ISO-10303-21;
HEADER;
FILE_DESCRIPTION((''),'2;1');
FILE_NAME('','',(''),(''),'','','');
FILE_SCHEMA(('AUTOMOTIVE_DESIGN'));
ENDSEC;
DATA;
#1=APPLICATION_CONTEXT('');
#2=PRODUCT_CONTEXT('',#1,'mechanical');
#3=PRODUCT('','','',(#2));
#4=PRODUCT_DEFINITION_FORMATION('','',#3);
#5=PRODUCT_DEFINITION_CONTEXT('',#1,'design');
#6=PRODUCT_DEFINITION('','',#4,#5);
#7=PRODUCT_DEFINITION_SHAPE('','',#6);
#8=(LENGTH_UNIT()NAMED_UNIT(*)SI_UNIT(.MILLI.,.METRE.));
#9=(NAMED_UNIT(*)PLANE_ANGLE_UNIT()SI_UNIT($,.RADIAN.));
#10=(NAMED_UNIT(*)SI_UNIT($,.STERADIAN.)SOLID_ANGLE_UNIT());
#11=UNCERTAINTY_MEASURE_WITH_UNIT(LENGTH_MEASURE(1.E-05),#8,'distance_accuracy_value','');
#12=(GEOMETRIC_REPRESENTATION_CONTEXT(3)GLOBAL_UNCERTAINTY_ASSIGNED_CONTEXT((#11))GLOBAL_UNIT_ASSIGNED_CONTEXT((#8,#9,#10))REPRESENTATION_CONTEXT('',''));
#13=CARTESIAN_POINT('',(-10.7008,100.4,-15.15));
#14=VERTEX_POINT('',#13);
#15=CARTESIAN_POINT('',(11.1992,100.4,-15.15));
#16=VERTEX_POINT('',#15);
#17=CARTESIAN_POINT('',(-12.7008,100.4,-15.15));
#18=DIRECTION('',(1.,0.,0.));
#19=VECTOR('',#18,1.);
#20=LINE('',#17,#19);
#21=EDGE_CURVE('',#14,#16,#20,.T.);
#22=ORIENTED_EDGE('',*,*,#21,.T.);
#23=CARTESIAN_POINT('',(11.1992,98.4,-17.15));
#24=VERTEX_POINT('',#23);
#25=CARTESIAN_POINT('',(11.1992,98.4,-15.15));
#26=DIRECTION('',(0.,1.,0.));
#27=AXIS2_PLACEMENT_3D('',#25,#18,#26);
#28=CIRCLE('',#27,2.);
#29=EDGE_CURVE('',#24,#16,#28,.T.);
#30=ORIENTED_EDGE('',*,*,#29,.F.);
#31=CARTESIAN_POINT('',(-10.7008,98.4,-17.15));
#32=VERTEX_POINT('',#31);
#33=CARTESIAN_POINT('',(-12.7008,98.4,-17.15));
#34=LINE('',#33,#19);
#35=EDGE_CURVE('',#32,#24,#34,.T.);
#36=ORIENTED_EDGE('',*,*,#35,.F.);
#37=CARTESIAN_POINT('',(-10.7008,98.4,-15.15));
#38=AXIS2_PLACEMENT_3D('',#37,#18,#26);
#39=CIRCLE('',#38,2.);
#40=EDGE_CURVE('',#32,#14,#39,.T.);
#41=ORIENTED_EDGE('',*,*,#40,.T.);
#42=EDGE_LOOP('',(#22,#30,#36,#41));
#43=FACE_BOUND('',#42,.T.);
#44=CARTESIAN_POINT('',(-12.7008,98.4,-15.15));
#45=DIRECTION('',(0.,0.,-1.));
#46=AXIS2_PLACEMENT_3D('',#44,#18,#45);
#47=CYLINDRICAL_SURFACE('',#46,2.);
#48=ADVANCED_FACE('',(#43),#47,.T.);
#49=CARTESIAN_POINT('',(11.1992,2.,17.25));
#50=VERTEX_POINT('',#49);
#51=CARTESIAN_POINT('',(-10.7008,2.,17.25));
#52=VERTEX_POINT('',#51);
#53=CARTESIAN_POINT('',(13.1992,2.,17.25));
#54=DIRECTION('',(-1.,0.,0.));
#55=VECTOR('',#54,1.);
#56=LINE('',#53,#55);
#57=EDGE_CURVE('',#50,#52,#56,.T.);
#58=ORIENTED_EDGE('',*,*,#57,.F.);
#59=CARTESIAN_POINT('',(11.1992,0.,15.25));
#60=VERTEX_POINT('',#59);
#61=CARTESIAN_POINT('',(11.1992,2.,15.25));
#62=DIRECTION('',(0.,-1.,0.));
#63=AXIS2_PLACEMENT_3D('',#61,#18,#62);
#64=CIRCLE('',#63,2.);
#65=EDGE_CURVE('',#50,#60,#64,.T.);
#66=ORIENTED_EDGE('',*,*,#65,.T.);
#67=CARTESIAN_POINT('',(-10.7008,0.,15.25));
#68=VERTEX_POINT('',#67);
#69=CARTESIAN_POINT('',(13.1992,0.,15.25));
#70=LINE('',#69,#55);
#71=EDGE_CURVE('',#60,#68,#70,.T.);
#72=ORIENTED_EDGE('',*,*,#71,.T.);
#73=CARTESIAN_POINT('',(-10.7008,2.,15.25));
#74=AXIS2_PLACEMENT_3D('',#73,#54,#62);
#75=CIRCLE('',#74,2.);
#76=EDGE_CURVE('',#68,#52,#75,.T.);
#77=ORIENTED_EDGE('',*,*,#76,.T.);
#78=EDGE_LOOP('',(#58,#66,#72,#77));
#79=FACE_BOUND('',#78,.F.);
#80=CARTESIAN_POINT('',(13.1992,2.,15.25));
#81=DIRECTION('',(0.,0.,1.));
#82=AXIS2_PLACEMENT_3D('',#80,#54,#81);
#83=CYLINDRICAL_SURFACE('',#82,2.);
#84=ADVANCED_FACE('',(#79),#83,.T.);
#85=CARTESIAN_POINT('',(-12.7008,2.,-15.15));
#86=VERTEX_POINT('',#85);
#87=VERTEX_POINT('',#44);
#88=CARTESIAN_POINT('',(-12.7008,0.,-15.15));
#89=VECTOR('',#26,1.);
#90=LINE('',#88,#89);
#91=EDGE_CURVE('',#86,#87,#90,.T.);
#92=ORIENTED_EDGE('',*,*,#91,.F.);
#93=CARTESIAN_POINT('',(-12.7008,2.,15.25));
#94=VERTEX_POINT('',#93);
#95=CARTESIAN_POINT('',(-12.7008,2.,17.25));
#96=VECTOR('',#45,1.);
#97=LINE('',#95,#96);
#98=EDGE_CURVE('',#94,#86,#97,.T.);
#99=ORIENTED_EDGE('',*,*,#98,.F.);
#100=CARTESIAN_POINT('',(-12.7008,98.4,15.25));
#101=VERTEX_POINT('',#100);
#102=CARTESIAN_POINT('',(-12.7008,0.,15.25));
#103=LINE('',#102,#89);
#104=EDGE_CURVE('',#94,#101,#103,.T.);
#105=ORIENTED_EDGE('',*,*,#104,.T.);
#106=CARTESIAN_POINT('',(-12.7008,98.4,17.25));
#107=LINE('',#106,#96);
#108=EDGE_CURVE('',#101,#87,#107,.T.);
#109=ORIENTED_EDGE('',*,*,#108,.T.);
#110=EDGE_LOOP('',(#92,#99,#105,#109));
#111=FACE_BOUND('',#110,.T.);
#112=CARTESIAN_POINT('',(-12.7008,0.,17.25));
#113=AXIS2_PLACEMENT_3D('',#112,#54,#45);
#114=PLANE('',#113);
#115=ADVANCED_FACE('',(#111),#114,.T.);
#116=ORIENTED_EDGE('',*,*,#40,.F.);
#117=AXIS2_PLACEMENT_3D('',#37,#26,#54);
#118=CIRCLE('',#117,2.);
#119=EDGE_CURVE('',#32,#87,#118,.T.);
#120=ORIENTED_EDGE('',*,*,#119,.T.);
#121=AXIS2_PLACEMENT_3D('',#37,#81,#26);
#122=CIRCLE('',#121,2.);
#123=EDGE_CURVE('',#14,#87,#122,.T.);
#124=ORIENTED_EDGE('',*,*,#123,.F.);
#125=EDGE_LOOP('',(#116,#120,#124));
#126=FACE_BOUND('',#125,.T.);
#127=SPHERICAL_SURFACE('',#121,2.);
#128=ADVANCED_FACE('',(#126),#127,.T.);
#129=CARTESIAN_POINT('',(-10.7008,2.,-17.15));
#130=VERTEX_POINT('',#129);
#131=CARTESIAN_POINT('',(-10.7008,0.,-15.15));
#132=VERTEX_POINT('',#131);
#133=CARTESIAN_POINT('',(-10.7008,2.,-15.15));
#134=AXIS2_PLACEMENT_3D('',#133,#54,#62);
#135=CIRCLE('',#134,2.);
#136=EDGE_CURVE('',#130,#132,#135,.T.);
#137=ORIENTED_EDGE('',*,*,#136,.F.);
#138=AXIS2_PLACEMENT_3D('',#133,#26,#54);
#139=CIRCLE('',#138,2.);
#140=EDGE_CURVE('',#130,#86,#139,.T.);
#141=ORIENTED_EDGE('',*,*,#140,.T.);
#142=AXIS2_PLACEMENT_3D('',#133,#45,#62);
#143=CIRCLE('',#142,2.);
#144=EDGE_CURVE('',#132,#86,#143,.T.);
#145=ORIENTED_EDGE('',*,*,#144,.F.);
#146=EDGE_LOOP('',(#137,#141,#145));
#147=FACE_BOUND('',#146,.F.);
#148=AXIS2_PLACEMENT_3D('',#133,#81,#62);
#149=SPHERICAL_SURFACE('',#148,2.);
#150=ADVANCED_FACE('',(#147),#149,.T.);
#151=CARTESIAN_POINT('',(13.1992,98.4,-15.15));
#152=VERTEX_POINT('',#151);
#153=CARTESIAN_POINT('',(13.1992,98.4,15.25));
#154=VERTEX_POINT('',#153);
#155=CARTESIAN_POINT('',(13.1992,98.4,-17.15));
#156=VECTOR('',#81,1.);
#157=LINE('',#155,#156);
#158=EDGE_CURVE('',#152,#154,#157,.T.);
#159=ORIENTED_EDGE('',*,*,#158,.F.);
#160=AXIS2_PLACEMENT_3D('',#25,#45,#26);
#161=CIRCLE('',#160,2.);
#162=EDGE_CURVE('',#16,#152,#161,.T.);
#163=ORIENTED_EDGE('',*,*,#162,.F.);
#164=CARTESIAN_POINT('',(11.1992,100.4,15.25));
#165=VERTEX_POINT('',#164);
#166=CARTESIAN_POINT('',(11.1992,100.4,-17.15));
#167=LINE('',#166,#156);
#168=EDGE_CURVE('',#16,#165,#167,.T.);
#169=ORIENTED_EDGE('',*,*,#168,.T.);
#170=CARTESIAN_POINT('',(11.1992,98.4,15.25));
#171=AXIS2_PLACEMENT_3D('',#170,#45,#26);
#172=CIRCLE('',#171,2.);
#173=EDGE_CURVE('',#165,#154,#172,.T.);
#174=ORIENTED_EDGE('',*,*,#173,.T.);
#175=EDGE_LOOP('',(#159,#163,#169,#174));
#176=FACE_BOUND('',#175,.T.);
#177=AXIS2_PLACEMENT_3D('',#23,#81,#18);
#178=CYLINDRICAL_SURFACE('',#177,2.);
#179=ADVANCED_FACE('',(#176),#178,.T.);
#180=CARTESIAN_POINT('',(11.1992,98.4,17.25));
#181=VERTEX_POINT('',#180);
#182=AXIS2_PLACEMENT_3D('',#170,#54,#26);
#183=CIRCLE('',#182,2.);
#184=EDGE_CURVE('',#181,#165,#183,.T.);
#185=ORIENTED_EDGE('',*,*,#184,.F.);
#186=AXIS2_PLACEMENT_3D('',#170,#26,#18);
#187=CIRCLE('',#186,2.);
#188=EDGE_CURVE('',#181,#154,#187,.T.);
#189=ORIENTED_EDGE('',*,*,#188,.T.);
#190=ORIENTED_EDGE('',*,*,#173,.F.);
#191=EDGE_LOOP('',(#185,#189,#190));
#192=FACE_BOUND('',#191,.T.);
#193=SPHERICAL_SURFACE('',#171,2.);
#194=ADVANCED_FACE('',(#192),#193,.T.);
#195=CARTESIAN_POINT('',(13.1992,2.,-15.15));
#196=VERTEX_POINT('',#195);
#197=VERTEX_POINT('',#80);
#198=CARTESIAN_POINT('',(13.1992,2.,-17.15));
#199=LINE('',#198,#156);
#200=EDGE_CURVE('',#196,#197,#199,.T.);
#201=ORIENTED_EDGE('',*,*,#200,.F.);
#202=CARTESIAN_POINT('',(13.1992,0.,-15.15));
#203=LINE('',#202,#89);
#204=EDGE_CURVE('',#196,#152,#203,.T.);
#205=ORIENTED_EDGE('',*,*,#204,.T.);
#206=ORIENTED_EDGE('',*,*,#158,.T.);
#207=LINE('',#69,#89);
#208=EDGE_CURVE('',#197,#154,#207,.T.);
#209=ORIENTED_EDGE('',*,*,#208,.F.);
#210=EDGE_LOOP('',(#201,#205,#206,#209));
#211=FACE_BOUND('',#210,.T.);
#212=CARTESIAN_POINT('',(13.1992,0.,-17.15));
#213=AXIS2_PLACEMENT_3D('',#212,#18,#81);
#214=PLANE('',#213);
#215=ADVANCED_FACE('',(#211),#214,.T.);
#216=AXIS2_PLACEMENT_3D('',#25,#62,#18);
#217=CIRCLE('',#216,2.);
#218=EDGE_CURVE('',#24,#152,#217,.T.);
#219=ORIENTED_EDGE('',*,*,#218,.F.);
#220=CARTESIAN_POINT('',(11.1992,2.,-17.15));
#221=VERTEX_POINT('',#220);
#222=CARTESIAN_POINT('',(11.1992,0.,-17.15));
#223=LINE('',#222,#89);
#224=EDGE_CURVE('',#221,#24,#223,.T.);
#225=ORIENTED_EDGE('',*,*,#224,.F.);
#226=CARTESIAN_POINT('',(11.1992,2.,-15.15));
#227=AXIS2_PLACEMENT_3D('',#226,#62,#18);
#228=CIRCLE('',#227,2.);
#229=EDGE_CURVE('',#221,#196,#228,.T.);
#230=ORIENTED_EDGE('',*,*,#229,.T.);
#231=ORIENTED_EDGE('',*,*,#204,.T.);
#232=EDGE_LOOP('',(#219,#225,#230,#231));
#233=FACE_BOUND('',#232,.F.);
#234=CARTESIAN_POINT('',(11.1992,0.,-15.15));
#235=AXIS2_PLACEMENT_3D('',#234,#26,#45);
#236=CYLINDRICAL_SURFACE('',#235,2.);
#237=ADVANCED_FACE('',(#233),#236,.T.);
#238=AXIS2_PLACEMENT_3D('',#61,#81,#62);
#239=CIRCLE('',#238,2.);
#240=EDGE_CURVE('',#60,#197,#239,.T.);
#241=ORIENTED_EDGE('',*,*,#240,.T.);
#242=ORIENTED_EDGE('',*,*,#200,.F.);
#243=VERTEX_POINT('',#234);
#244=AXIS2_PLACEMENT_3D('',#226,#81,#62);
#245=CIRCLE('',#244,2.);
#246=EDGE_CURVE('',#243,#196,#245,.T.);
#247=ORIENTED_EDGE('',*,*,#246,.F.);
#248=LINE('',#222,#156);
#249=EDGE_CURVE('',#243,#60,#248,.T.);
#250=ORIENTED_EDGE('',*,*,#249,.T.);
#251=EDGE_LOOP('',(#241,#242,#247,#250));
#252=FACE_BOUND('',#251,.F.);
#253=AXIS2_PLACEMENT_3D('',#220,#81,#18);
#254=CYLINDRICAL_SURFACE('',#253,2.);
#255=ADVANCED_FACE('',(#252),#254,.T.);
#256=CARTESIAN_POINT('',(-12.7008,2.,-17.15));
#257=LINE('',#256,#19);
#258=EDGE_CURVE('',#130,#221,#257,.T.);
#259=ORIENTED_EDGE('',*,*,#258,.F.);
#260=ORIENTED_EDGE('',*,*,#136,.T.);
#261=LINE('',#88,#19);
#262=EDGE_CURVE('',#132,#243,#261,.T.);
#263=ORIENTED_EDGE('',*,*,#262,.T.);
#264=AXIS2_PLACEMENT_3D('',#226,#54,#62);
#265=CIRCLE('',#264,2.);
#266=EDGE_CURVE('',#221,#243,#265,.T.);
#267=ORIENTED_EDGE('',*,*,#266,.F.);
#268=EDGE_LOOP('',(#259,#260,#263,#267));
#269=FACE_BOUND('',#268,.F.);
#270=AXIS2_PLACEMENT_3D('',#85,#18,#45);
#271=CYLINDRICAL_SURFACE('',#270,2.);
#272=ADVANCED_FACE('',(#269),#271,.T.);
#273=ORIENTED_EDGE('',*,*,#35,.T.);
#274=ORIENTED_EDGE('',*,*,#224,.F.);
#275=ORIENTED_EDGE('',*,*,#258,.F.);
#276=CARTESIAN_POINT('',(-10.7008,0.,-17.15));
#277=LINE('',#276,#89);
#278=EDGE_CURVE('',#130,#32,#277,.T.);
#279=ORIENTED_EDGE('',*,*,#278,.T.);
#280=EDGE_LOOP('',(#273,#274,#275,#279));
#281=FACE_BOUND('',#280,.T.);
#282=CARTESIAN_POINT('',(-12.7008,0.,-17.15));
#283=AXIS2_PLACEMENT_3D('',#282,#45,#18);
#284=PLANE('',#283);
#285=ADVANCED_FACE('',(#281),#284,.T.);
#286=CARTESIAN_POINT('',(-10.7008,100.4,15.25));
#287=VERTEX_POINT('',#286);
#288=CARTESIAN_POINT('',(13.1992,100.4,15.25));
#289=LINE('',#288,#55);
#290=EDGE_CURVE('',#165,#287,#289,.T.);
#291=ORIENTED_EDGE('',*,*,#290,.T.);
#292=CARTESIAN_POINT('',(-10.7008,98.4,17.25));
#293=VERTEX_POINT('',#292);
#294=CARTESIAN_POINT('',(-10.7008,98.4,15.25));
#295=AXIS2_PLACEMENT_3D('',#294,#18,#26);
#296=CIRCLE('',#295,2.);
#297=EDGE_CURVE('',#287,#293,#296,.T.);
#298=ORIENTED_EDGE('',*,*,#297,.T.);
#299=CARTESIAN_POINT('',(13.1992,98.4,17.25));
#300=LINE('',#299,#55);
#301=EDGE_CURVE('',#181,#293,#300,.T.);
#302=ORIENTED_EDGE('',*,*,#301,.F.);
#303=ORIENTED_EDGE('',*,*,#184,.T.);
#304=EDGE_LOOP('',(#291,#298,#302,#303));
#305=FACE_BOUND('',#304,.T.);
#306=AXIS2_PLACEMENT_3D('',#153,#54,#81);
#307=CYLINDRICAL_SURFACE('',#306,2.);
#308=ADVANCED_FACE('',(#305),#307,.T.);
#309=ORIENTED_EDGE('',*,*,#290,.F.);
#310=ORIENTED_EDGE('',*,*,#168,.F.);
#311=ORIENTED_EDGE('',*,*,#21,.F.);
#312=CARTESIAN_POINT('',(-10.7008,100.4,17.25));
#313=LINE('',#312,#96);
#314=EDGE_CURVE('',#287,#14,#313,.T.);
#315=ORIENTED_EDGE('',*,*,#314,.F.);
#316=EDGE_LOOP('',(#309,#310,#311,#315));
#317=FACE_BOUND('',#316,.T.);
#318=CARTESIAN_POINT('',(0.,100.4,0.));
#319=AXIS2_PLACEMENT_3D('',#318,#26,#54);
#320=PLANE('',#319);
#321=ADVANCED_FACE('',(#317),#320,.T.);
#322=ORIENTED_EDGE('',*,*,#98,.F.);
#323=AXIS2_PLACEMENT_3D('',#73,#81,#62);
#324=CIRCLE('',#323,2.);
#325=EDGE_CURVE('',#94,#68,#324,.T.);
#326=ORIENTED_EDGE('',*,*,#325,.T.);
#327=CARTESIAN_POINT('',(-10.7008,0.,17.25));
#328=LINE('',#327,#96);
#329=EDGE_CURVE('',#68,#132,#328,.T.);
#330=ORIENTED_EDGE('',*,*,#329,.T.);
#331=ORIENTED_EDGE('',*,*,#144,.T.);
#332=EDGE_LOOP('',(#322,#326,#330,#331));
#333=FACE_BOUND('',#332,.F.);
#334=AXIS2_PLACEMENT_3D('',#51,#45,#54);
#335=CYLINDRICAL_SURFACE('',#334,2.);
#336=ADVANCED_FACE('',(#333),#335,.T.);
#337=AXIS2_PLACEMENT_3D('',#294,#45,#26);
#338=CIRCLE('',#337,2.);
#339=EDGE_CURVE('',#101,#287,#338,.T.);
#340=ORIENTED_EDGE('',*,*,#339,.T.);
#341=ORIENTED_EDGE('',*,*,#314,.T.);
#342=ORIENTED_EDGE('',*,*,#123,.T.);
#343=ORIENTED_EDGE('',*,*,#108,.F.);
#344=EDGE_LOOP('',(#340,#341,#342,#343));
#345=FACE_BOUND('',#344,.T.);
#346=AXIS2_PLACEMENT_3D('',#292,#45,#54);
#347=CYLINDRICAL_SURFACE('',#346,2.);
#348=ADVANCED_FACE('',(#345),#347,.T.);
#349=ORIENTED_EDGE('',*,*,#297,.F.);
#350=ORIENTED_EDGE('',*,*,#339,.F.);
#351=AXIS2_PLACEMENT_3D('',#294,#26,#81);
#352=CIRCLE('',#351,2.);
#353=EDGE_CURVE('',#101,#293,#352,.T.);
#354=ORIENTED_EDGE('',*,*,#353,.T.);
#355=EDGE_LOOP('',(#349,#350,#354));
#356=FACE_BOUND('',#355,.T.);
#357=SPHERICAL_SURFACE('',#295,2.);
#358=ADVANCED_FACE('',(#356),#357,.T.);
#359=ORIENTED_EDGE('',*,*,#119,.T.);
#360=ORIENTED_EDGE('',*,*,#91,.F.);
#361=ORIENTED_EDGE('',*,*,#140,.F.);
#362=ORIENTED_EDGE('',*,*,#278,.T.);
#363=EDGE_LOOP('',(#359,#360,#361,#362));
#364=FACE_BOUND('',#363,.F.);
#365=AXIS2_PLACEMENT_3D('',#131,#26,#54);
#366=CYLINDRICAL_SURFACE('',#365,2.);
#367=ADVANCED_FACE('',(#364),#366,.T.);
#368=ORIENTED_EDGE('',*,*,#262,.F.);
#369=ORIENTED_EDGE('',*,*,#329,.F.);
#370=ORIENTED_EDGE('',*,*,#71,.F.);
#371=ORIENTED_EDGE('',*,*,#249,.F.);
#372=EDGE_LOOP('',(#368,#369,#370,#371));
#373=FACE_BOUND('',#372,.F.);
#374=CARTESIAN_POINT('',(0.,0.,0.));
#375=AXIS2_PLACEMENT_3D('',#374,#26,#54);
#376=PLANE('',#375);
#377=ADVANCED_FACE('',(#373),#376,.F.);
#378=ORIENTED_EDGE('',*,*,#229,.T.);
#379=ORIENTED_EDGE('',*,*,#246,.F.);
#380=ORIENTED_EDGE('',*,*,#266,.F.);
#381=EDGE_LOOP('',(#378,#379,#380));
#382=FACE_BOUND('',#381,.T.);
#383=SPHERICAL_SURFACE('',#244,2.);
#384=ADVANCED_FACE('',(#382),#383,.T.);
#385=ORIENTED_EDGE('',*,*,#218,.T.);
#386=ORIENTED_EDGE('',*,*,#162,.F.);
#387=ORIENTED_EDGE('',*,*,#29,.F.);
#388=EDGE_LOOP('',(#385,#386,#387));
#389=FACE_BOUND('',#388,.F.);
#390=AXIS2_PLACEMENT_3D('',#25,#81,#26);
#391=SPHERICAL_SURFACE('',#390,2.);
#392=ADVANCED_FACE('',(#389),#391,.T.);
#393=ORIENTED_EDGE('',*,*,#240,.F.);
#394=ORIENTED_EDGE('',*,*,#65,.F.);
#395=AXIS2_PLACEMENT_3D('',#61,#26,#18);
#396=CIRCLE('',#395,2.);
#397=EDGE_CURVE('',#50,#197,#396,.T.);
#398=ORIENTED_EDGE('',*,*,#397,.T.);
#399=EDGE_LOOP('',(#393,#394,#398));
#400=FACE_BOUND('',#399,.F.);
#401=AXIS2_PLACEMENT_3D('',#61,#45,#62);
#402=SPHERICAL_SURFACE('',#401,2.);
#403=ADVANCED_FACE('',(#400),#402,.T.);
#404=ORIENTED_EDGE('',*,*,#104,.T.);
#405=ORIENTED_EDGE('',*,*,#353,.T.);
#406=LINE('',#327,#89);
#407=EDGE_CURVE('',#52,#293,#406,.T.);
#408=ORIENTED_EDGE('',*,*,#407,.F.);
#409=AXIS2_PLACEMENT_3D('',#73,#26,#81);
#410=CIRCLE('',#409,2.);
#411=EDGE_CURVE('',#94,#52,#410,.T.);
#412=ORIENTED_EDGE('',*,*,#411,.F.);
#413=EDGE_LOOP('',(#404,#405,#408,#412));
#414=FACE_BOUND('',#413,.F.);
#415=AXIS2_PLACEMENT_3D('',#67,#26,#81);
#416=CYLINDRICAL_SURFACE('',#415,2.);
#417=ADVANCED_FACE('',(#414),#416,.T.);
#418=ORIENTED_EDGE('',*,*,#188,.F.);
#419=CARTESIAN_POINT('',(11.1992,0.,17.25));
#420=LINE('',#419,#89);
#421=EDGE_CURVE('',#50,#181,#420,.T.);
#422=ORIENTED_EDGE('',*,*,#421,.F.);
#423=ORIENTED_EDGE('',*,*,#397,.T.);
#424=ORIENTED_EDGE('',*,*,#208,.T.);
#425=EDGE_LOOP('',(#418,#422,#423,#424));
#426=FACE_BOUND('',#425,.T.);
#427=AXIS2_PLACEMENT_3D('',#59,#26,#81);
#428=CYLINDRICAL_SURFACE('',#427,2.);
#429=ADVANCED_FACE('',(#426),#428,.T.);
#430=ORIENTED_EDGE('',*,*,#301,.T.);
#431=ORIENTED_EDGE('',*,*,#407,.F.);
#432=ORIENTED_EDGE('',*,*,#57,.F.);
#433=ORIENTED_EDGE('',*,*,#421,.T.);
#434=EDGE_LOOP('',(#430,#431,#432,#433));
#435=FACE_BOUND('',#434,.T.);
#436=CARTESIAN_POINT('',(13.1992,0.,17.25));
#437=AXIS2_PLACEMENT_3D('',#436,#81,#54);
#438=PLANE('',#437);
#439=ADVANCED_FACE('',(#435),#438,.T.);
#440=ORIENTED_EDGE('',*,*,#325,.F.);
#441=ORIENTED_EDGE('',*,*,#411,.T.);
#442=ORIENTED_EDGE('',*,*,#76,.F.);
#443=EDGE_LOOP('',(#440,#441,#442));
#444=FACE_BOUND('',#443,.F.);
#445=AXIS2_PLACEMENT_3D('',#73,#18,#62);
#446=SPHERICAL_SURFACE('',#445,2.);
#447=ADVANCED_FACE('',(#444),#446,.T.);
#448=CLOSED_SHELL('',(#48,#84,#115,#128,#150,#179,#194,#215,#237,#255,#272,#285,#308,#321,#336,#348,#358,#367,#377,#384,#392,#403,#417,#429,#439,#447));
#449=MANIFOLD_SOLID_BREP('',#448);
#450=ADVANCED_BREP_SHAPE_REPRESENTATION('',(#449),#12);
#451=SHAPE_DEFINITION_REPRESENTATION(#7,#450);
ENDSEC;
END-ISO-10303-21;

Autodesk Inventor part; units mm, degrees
ref_plane "YZ Plane" through (0, 0, 0) normal (1, 0, 0) x (0, 1, 0)
ref_plane "XZ Plane" through (0, 0, 0) normal (0, 1, 0) x (-1, 0, 0)
ref_plane "XY Plane" through (0, 0, 0) normal (0, 0, 1) x (1, 0, 0)
sketch "Sketch1" plane through (0, 0, 0) normal (0, 1, 0) x (-1, 0, 0)
  line L0 (-13.1992, 17.25) -> (12.7008, 17.25)
  line L1 (12.7008, 17.25) -> (12.7008, -17.15)
  line L2 (12.7008, -17.15) -> (-13.1992, -17.15)
  line L3 (-13.1992, -17.15) -> (-13.1992, 17.25)
  line L4 (-13.1992, 17.25) -> (12.7008, -17.15) construction
  line L5 (12.7008, 17.25) -> (-13.1992, -17.15) construction
  point P0 (0, 0)
  point P1 (-0.2492, 0.05)
  dimension "d0" = 25.9
  dimension "d1" = 34.4
extrude "Extrusion1" add sketch "Sketch1" along normal blind 100.4
fillet "Fillet1" radius 2 12 edges at (13.1992, 100.4, 0.05) (0.2492, 100.4, 17.25) (-12.7008, 100.4, 0.05) (0.2492, 100.4, -17.15) (13.1992, 0, 0.05) (0.2492, 0, 17.25) (-12.7008, 0, 0.05) (0.2492, 0, -17.15) (13.1992, 50.2, -17.15) (-12.7008, 50.2, -17.15) (13.1992, 50.2, 17.25) (-12.7008, 50.2, 17.25)
properties part number "DikkeBatterij"
